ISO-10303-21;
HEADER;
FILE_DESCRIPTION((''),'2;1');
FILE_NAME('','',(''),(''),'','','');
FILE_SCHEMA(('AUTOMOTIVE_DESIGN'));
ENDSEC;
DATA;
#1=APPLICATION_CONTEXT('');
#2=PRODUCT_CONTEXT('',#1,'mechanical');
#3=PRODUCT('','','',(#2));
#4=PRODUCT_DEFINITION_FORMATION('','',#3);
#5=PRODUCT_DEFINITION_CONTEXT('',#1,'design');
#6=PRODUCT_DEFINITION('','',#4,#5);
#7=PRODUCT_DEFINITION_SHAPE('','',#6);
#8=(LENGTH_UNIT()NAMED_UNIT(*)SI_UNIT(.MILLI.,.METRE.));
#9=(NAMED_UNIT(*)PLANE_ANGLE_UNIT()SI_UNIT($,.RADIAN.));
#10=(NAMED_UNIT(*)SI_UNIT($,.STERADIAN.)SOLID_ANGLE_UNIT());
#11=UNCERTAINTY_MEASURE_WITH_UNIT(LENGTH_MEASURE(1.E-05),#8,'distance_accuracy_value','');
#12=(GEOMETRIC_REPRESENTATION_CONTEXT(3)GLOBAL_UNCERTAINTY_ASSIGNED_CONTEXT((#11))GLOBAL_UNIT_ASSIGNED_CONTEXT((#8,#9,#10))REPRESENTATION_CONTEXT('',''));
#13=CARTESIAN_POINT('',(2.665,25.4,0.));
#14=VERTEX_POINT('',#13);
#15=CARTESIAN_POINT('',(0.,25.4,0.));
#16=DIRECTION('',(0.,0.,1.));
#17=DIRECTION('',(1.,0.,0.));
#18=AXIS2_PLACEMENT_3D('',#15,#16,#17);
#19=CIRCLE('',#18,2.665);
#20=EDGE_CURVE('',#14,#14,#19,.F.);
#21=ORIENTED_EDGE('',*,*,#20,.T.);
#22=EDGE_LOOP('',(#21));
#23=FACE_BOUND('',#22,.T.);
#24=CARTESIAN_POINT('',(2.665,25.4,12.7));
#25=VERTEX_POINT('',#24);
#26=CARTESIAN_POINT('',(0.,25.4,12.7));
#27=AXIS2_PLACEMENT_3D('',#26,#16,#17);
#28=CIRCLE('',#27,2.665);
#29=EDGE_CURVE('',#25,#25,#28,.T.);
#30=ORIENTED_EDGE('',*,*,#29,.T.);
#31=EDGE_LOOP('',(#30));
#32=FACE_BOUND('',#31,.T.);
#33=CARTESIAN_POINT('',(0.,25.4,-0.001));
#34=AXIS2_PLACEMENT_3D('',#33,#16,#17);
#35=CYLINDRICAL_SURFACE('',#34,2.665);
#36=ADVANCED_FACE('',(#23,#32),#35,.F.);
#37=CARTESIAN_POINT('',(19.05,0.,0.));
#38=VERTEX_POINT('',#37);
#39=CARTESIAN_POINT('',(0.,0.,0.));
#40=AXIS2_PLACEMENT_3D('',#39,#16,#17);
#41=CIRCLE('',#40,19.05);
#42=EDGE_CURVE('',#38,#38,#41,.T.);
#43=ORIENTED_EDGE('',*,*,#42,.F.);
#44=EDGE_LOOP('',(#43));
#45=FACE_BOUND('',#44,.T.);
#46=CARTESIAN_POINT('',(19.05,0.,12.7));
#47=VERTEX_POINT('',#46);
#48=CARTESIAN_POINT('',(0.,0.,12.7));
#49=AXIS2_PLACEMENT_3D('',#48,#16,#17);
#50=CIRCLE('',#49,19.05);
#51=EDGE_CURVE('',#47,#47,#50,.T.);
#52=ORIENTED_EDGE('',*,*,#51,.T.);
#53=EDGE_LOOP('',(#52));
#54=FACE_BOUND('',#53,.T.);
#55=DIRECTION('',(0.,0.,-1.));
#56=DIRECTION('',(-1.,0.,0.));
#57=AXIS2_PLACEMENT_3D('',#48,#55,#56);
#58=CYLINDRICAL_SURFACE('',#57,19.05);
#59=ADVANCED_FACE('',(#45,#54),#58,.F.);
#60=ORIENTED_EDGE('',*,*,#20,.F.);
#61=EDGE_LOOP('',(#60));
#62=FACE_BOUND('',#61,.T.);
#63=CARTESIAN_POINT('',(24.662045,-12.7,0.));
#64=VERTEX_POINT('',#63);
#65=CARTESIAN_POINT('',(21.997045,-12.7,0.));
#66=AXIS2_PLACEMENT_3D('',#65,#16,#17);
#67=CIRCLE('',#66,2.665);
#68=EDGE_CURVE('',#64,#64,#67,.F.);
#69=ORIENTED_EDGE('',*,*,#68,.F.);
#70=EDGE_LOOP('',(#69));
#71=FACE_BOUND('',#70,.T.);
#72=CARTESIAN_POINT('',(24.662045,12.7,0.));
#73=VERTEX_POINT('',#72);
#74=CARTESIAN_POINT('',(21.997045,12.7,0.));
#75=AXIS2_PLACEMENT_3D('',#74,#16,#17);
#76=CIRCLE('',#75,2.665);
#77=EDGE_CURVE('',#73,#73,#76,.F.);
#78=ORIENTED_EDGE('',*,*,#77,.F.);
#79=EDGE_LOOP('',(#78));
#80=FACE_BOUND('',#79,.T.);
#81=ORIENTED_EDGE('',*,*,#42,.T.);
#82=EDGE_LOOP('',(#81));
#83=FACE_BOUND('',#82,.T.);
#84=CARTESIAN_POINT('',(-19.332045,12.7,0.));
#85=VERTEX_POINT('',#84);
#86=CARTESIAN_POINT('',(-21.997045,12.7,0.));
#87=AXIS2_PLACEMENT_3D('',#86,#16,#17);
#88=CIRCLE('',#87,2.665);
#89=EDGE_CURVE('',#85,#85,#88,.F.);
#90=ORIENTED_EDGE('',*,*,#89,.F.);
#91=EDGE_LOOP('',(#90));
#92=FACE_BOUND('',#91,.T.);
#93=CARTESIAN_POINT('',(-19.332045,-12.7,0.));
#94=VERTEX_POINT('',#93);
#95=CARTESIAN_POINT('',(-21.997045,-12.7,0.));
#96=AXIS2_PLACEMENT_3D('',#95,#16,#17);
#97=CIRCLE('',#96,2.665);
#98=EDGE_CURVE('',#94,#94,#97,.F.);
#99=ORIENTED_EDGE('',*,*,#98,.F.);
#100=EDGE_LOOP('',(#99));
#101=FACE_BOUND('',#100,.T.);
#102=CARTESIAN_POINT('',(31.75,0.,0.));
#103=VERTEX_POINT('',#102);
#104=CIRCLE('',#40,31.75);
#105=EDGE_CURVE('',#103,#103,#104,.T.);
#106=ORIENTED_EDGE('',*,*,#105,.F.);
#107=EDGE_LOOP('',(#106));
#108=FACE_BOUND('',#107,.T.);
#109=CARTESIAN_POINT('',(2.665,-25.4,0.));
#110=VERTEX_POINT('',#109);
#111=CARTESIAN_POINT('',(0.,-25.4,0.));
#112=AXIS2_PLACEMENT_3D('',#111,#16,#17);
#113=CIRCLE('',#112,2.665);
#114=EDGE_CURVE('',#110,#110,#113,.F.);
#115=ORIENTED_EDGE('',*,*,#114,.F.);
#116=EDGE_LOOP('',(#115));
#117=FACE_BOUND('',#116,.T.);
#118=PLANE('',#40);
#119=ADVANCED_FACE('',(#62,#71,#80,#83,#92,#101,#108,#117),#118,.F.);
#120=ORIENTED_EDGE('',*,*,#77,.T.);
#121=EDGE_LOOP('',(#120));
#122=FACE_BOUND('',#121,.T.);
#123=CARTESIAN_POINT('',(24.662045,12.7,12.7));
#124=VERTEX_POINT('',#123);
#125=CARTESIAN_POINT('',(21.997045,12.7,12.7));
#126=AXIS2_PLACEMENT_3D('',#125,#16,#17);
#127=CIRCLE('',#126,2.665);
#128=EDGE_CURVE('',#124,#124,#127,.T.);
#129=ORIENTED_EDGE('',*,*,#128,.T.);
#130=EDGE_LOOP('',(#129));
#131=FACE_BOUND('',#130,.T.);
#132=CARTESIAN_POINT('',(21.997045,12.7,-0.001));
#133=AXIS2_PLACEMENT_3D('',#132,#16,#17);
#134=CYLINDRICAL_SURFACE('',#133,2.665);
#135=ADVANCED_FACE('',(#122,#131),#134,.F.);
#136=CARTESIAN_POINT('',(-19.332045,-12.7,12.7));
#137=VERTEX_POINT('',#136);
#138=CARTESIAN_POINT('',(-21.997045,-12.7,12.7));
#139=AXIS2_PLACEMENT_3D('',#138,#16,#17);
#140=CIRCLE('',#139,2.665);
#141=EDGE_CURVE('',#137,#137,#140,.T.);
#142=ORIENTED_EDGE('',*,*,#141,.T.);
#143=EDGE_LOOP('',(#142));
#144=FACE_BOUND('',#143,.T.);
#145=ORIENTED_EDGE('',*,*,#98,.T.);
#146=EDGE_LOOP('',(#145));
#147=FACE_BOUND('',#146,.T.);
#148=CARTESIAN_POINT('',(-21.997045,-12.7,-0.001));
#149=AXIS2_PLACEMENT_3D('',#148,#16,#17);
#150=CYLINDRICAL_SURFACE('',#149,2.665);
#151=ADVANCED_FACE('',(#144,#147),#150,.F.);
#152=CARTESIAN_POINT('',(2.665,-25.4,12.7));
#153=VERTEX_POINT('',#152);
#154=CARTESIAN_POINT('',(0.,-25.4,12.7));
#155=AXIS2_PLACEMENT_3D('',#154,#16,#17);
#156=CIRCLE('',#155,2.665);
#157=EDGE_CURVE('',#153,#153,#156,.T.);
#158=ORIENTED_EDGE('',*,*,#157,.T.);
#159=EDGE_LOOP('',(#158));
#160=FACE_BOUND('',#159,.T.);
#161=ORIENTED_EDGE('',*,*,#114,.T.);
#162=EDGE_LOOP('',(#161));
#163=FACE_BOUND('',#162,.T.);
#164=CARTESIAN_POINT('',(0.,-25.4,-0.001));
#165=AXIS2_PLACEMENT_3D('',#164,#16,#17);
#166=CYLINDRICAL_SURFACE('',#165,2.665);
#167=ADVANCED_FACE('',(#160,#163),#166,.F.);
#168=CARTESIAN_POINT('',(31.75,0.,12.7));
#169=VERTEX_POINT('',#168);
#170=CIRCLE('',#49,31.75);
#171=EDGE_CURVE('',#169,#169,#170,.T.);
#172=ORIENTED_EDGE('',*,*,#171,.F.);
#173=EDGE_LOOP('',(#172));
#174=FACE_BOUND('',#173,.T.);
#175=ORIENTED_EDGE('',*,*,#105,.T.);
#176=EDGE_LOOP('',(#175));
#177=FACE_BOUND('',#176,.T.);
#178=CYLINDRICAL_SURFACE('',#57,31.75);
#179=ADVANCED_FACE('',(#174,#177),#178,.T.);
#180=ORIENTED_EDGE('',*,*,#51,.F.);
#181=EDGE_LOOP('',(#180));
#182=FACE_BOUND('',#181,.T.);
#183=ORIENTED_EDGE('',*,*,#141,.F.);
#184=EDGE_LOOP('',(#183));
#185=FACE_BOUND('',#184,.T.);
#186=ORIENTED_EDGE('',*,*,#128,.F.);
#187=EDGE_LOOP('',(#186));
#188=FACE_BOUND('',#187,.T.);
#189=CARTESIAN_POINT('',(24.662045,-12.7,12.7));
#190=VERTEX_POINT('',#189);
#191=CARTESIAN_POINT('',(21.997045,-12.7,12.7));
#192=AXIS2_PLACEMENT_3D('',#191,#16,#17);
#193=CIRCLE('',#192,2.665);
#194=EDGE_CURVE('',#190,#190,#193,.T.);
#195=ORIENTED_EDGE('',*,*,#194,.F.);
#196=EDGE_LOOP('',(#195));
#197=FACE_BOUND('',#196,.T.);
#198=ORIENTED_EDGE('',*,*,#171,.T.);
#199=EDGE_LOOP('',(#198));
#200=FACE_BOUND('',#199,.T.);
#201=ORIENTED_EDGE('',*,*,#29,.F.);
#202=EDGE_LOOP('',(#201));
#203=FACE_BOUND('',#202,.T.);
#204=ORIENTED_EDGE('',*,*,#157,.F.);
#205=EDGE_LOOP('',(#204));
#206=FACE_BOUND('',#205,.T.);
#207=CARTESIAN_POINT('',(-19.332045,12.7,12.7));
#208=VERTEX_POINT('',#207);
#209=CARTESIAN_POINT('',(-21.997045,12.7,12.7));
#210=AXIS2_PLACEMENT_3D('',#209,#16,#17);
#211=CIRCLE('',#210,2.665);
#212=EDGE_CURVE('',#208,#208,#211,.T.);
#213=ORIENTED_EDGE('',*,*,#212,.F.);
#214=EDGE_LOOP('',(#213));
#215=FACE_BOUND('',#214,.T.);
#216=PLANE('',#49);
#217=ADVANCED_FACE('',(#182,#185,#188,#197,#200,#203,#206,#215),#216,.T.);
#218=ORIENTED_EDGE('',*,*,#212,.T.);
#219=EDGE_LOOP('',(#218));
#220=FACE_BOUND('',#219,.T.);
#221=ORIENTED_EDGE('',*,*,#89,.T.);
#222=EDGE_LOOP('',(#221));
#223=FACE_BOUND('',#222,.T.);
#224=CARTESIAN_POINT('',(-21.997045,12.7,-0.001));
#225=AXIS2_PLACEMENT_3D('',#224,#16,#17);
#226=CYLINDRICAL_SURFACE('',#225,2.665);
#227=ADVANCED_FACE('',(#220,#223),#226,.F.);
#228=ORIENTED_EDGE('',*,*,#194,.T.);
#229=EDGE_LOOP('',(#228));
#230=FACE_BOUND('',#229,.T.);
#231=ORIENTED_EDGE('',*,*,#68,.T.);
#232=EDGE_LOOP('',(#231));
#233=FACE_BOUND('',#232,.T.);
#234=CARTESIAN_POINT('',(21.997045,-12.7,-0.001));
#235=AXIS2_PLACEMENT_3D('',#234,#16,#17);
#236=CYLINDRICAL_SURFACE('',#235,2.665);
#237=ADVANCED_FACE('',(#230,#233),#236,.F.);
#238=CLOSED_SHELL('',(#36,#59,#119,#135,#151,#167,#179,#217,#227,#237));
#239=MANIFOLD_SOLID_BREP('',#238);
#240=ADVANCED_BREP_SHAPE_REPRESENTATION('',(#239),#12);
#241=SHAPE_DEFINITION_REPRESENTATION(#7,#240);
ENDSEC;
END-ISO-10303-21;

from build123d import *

# Parameters (mm, degrees)
SKETCH1_R           = 31.75
SKETCH1_R_2         = 19.05
BOSS_EXTRUDE1_DEPTH = 12.7
CUT_EXTRUDE1_REACH  = 48.663
SKETCH2_R           = 2.665


with BuildPart() as part:
    # Sketch1 → Boss-Extrude1 (new body)
    with BuildSketch(Plane.XY):
        Circle(SKETCH1_R)
        Circle(SKETCH1_R_2, mode=Mode.SUBTRACT)
    extrude(amount=BOSS_EXTRUDE1_DEPTH)

    # Sketch2 → Cut-Extrude1 (cut, up to next)
    with BuildSketch(Plane.XY.offset(12.7), mode=Mode.PRIVATE) as cut_extrude1_sk1:
        with Locations((0, 25.4)):
            Circle(SKETCH2_R)
    cut_extrude1_tool1 = extrude(cut_extrude1_sk1.sketch, amount=-CUT_EXTRUDE1_REACH, mode=Mode.PRIVATE) & part.part
    # Sketch2 → Cut-Extrude1 (cut, up to next)
    with BuildSketch(Plane.XY.offset(12.7), mode=Mode.PRIVATE) as cut_extrude1_sk2:
        with Locations((21.997045256, 12.7)):
            Circle(SKETCH2_R)
    cut_extrude1_tool2 = extrude(cut_extrude1_sk2.sketch, amount=-CUT_EXTRUDE1_REACH, mode=Mode.PRIVATE) & part.part
    # Sketch2 → Cut-Extrude1 (cut, up to next)
    with BuildSketch(Plane.XY.offset(12.7), mode=Mode.PRIVATE) as cut_extrude1_sk3:
        with Locations((21.997045256, -12.7)):
            Circle(SKETCH2_R)
    cut_extrude1_tool3 = extrude(cut_extrude1_sk3.sketch, amount=-CUT_EXTRUDE1_REACH, mode=Mode.PRIVATE) & part.part
    # Sketch2 → Cut-Extrude1 (cut, up to next)
    with BuildSketch(Plane.XY.offset(12.7), mode=Mode.PRIVATE) as cut_extrude1_sk4:
        with Locations((0, -25.4)):
            Circle(SKETCH2_R)
    cut_extrude1_tool4 = extrude(cut_extrude1_sk4.sketch, amount=-CUT_EXTRUDE1_REACH, mode=Mode.PRIVATE) & part.part
    # Sketch2 → Cut-Extrude1 (cut, up to next)
    with BuildSketch(Plane.XY.offset(12.7), mode=Mode.PRIVATE) as cut_extrude1_sk5:
        with Locations((-21.997045256, -12.7)):
            Circle(SKETCH2_R)
    cut_extrude1_tool5 = extrude(cut_extrude1_sk5.sketch, amount=-CUT_EXTRUDE1_REACH, mode=Mode.PRIVATE) & part.part
    # Sketch2 → Cut-Extrude1 (cut, up to next)
    with BuildSketch(Plane.XY.offset(12.7), mode=Mode.PRIVATE) as cut_extrude1_sk6:
        with Locations((-21.997045256, 12.7)):
            Circle(SKETCH2_R)
    cut_extrude1_tool6 = extrude(cut_extrude1_sk6.sketch, amount=-CUT_EXTRUDE1_REACH, mode=Mode.PRIVATE) & part.part
    add(cut_extrude1_tool1.solids().sort_by_distance((0, 25.4, 12.7))[0], mode=Mode.SUBTRACT)
    add(cut_extrude1_tool2.solids().sort_by_distance((21.997045, 12.7, 12.7))[0], mode=Mode.SUBTRACT)
    add(cut_extrude1_tool3.solids().sort_by_distance((21.997045, -12.7, 12.7))[0], mode=Mode.SUBTRACT)
    add(cut_extrude1_tool4.solids().sort_by_distance((0, -25.4, 12.7))[0], mode=Mode.SUBTRACT)
    add(cut_extrude1_tool5.solids().sort_by_distance((-21.997045, -12.7, 12.7))[0], mode=Mode.SUBTRACT)
    add(cut_extrude1_tool6.solids().sort_by_distance((-21.997045, 12.7, 12.7))[0], mode=Mode.SUBTRACT)


solid = part.part
